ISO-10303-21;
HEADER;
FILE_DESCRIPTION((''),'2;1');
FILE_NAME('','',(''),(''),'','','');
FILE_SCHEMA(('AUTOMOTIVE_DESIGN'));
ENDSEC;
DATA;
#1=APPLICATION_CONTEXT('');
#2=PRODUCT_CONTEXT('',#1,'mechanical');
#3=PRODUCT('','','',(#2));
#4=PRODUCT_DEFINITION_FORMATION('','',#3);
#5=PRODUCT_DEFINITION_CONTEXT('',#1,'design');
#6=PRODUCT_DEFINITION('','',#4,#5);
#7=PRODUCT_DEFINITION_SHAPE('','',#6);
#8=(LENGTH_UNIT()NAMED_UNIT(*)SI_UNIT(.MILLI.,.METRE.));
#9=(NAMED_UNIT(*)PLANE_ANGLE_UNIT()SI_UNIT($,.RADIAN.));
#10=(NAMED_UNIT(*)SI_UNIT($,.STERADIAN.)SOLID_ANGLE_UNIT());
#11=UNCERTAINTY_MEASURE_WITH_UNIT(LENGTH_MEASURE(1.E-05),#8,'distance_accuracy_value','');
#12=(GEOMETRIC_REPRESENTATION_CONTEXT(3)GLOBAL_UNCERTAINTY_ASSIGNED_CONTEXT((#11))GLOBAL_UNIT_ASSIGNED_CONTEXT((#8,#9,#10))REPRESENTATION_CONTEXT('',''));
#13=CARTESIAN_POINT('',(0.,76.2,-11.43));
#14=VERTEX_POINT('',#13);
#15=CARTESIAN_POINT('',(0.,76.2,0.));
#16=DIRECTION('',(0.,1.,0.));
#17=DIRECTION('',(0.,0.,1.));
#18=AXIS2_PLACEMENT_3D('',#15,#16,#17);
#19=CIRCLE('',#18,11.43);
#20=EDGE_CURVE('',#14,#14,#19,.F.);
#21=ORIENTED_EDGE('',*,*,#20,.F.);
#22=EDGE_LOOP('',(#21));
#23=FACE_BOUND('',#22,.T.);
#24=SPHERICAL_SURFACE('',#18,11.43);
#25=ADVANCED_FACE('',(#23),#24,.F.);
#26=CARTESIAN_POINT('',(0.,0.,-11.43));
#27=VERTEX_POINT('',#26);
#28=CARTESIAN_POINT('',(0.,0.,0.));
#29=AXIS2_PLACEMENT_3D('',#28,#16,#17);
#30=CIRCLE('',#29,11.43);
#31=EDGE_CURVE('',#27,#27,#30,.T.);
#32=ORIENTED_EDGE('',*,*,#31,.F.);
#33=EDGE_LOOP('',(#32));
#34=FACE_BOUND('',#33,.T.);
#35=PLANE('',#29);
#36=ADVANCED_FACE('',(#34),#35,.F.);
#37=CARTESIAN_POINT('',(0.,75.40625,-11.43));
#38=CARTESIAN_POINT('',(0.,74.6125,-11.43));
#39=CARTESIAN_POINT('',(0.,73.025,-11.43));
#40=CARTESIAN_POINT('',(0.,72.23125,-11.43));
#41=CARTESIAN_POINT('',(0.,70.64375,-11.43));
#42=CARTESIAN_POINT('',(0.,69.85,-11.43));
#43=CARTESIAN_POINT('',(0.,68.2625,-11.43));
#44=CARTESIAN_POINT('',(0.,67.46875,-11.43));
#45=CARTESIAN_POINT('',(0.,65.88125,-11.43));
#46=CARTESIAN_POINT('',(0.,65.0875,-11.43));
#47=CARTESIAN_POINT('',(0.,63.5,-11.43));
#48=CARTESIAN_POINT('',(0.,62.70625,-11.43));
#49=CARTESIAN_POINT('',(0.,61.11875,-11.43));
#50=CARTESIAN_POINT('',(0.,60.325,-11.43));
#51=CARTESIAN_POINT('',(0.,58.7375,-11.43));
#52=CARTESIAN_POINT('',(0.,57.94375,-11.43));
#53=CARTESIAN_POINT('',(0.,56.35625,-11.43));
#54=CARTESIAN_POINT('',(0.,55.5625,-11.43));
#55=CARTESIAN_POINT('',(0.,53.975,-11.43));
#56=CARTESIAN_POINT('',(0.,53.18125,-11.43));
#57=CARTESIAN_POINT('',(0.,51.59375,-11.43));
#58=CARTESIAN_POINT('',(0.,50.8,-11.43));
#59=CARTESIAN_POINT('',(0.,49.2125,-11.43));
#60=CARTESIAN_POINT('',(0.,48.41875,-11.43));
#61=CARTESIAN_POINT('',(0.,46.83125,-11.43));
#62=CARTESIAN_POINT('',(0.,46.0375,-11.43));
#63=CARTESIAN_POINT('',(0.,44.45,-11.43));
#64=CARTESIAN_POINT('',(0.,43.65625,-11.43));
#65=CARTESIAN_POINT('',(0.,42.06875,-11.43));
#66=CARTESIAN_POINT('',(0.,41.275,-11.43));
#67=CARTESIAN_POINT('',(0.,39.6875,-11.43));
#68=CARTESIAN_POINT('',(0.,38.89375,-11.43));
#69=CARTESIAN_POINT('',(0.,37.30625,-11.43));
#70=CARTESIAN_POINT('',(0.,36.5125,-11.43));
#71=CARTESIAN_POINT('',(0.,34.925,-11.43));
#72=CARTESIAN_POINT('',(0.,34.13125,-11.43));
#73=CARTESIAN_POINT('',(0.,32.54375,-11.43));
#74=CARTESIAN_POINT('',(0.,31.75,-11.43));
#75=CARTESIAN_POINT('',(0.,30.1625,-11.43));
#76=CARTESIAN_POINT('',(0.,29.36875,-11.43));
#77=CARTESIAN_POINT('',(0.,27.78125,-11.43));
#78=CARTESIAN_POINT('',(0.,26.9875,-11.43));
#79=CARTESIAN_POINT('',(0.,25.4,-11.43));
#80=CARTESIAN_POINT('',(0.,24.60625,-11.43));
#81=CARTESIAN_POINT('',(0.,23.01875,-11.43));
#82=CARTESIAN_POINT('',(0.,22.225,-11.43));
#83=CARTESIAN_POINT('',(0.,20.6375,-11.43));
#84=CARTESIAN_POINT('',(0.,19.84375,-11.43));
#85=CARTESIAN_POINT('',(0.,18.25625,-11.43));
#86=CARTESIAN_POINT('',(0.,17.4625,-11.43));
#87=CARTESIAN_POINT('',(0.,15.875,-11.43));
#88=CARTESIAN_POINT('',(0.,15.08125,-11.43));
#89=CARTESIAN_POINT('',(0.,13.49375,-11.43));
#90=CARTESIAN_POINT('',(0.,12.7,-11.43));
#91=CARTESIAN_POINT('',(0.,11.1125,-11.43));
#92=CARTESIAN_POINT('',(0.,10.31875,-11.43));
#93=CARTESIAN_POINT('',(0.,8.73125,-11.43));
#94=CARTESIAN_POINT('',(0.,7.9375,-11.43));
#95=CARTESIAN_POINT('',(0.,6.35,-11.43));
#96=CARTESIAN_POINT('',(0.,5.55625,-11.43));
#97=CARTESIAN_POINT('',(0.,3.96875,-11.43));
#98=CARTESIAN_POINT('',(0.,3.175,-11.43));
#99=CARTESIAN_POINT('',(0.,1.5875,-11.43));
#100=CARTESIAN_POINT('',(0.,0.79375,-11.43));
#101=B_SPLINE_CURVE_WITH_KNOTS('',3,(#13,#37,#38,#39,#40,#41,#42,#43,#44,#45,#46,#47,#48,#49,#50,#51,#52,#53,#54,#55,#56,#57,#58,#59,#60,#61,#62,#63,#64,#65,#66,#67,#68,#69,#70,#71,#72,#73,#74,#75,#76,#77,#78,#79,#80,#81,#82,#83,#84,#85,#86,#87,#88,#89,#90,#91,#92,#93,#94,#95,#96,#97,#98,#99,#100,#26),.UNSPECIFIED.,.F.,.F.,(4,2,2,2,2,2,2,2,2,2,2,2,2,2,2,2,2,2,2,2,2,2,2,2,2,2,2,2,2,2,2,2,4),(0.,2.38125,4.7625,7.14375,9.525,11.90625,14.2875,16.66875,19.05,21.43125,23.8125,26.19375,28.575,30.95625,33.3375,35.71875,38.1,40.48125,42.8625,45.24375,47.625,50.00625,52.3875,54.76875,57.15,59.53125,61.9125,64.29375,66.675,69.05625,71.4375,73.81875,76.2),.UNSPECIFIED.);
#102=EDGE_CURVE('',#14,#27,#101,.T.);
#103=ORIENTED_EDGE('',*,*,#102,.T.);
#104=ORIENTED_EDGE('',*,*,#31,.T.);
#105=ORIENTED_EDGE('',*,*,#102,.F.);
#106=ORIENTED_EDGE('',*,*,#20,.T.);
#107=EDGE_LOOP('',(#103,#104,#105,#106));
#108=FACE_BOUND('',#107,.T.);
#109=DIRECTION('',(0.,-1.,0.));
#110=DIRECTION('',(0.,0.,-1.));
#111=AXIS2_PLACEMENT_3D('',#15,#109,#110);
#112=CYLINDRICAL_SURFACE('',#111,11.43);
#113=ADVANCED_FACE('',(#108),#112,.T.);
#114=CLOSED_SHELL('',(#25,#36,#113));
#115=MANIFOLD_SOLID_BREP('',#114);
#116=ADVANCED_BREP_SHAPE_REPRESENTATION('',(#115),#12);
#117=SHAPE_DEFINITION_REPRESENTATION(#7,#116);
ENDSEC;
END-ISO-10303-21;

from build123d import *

# Parameters (mm, degrees)
SKETCH1_R           = 11.43
BOSS_EXTRUDE1_DEPTH = 76.2


with BuildPart() as part:
    # Sketch1 → Boss-Extrude1 (new body)
    with BuildSketch(Plane(origin=(0, 0, 0), x_dir=(1, 0, 0), z_dir=(0, 1, 0))):
        with Locations(Location((0, 0, 0), (0, 0, 90))):
            Circle(SKETCH1_R)
    extrude(amount=BOSS_EXTRUDE1_DEPTH)

    # Sketch3 → Cut-Revolve1 (revolve, cut)
    with BuildSketch(Plane(origin=(0, 76.2, 0), x_dir=(1, 0, 0), z_dir=(0, 1, 0))):
        with BuildLine():
            Line((0, 11.43), (0, -11.43))
            ThreePointArc((0, -11.43), (11.43, 0), (0, 11.43))
        make_face()
    revolve(axis=Axis((0, 76.2, -11.43), (0, 0, 1)), mode=Mode.SUBTRACT)


solid = part.part
